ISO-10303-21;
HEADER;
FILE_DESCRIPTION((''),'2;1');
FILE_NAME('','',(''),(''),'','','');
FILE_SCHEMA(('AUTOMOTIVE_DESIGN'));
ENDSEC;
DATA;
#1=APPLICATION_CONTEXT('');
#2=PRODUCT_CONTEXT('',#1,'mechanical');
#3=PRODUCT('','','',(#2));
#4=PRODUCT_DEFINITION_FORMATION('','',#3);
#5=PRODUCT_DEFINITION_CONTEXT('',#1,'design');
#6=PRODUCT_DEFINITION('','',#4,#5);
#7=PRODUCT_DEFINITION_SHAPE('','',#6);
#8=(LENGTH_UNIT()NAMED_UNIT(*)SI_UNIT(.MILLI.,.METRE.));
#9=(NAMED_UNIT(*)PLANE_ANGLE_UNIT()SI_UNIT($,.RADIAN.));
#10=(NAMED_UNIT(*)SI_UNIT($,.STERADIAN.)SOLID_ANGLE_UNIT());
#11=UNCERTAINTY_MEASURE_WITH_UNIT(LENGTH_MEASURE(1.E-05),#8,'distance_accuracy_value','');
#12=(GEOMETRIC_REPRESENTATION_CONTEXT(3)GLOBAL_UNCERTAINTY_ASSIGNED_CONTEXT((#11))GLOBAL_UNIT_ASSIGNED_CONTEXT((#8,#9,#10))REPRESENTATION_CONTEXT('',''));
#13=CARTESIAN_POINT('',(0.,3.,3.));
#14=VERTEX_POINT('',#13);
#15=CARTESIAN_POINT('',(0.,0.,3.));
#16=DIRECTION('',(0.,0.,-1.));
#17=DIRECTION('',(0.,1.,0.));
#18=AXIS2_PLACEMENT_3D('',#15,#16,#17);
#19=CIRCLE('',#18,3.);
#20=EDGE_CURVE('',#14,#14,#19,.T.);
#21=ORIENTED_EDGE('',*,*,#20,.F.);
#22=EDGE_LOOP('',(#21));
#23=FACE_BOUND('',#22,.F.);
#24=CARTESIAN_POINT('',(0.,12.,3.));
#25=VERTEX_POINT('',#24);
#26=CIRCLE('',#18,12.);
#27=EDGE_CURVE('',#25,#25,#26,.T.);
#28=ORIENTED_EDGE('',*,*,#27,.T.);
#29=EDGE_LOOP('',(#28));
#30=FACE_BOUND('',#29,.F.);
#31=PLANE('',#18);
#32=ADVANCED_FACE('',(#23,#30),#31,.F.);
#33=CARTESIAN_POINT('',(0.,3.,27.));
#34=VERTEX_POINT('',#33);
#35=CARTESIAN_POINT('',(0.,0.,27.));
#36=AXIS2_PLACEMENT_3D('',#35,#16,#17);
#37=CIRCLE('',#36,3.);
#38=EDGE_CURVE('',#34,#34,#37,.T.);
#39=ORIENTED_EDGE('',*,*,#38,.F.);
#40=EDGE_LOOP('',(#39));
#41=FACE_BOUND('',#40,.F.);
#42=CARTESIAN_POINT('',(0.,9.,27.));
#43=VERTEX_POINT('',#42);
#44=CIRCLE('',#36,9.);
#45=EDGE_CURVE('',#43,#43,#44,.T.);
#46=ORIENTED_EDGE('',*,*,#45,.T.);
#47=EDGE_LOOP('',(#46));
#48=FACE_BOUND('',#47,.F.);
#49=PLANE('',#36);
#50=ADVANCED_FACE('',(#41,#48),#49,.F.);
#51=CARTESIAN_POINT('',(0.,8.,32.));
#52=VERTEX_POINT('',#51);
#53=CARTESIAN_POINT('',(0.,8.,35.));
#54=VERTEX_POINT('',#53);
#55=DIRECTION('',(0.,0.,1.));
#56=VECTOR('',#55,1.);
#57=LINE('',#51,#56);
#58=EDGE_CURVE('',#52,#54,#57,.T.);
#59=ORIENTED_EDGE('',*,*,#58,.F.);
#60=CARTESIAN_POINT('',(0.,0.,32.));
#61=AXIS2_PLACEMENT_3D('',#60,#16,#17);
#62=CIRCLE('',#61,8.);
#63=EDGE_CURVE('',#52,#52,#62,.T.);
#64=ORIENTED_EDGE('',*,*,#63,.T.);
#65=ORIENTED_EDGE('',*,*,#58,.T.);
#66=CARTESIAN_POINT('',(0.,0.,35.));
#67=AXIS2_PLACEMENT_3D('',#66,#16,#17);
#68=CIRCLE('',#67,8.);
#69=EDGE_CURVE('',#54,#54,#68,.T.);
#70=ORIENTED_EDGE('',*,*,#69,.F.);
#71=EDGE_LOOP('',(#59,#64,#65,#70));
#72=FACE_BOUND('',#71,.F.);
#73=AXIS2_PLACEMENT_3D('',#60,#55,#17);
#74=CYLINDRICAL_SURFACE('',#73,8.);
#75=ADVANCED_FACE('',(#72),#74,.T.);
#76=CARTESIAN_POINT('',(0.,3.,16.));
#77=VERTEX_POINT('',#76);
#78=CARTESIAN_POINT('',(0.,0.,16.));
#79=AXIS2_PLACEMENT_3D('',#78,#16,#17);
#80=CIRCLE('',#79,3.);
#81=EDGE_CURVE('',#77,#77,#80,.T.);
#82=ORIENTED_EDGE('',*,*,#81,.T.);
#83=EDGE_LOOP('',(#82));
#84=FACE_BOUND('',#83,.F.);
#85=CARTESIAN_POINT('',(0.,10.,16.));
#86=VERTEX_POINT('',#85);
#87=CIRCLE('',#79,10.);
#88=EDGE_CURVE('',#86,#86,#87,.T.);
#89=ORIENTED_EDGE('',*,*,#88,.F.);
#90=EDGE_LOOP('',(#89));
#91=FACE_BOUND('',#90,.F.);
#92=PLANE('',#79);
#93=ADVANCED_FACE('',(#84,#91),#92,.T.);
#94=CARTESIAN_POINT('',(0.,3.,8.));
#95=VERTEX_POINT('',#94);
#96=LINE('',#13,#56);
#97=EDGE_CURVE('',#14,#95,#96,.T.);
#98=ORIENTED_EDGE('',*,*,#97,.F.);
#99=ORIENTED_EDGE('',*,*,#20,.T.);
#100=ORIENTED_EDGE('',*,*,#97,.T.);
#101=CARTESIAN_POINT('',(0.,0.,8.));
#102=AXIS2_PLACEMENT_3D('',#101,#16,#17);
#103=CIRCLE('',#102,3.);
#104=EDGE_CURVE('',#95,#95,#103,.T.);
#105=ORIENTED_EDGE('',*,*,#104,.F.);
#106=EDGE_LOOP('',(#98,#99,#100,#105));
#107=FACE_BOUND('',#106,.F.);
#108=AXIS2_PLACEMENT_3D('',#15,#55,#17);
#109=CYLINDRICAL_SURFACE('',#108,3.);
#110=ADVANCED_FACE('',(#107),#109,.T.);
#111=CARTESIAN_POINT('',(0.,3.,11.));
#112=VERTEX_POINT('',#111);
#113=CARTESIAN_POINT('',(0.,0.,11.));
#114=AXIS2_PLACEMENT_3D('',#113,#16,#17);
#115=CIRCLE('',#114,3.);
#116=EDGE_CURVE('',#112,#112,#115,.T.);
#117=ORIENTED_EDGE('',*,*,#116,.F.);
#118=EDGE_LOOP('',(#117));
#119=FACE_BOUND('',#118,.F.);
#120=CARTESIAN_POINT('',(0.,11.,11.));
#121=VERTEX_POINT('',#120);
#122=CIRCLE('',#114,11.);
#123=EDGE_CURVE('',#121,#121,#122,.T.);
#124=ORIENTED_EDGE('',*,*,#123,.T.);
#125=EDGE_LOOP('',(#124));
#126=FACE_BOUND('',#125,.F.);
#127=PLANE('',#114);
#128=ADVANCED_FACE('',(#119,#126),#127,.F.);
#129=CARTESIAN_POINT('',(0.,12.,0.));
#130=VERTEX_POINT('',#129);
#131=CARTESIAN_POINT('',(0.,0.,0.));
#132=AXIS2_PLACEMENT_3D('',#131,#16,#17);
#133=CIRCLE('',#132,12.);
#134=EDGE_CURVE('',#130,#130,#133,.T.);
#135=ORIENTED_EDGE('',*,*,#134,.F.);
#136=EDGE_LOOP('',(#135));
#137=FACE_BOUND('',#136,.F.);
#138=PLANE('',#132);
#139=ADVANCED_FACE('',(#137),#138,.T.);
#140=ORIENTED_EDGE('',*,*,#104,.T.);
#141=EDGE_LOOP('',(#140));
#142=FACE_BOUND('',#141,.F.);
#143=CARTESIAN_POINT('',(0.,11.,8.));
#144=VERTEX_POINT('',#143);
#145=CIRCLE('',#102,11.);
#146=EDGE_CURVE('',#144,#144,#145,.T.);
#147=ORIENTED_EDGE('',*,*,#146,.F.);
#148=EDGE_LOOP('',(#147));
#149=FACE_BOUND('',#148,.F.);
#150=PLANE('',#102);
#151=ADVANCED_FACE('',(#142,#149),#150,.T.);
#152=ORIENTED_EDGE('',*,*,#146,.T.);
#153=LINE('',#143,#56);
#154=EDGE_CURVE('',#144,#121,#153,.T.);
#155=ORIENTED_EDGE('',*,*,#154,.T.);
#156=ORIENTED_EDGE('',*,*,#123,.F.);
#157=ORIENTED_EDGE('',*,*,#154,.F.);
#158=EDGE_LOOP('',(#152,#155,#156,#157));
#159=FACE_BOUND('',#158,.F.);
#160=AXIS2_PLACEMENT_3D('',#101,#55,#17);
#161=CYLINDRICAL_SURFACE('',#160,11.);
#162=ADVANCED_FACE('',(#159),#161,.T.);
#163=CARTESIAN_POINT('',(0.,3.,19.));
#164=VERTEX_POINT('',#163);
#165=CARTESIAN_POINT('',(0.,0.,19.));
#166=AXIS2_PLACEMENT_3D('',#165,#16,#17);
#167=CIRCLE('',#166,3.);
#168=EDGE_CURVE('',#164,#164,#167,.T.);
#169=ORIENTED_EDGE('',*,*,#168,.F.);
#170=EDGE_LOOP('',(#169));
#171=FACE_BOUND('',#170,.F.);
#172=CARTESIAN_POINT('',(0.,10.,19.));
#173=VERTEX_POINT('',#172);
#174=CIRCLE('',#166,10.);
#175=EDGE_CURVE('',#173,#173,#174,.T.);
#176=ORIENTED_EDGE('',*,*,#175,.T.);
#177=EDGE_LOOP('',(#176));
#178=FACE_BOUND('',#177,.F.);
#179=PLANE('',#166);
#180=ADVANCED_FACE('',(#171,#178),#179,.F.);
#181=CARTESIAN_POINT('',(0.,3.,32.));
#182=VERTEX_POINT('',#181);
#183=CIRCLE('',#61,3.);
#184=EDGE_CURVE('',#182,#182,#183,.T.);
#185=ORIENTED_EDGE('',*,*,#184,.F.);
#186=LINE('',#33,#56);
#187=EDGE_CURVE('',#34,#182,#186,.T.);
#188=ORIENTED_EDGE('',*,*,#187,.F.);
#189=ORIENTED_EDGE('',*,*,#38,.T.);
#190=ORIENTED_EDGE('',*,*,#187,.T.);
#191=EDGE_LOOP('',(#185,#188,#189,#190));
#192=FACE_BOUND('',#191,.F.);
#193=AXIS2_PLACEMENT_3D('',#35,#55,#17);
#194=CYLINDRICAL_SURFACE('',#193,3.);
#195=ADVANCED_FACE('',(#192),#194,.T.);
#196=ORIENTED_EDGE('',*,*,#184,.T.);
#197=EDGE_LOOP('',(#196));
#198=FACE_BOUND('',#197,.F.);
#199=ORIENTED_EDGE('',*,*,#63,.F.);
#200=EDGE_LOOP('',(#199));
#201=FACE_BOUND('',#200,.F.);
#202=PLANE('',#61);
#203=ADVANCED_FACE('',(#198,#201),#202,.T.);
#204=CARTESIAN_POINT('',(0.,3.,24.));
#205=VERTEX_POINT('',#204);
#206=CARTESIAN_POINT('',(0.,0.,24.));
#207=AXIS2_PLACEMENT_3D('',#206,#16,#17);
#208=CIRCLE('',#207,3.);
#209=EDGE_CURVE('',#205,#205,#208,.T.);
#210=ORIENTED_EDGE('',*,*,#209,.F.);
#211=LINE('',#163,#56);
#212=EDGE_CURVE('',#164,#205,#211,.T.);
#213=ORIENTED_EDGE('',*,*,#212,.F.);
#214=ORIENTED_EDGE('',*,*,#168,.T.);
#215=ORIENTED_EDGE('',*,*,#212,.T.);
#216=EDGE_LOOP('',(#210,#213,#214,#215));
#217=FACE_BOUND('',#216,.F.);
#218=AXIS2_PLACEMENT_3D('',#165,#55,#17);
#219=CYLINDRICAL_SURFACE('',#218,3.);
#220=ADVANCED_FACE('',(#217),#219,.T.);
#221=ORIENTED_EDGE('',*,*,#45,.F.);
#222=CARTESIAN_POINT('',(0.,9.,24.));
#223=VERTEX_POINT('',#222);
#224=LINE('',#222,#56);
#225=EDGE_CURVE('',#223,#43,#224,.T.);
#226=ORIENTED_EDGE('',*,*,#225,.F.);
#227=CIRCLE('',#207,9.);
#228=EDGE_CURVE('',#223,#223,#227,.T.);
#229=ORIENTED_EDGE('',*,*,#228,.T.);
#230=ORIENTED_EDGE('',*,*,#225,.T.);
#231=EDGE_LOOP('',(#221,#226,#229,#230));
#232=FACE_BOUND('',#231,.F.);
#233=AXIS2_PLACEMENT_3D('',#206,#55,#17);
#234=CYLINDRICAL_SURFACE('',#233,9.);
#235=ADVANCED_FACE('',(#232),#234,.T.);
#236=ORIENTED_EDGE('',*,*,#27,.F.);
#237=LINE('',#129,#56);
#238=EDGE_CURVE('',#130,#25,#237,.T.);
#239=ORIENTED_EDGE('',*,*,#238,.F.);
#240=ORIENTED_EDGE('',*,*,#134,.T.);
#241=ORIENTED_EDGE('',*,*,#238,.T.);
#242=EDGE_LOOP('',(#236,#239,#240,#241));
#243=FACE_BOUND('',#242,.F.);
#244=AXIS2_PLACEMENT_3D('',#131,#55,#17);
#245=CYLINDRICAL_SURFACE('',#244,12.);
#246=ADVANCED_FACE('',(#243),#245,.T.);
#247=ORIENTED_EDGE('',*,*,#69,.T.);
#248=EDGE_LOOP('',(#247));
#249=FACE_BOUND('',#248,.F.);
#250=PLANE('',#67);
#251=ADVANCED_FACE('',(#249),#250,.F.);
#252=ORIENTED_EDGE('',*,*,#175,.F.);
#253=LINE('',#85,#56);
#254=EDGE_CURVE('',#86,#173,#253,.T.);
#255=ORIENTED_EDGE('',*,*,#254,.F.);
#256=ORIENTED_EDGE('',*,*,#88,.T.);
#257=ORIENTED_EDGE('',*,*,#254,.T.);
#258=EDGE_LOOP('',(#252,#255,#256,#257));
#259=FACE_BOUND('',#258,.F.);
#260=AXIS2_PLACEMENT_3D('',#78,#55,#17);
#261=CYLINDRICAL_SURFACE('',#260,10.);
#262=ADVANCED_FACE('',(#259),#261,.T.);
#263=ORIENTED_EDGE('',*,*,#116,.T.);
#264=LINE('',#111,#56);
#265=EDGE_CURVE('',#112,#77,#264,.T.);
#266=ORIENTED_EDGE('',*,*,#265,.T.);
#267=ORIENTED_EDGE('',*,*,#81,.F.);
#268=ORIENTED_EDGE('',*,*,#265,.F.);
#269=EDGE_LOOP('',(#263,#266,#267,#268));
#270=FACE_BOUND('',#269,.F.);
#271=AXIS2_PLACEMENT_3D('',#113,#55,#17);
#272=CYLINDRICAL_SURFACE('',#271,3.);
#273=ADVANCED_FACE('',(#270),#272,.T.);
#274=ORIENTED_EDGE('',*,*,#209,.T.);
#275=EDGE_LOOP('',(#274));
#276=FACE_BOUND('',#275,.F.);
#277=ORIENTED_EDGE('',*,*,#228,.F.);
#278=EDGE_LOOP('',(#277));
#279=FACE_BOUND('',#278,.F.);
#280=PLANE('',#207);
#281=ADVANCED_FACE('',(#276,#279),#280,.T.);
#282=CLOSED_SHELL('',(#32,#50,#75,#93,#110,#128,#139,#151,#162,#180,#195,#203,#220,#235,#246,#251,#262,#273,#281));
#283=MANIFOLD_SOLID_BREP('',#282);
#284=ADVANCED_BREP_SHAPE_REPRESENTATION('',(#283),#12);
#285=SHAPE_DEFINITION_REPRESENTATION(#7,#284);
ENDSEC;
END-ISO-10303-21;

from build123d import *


with BuildPart() as f1:
    # F0 (on Right) → F1 (revolve)
    with BuildSketch(Plane.YZ):
        Polygon((0, 0), (12, 0), (12, 3), (3, 3), (3, 8), (11, 8), (11, 11), (3, 11), (3, 16), (10, 16), (10, 19), (3, 19), (3, 24), (9, 24), (9, 27), (3, 27), (3, 32), (8, 32), (8, 35), (0, 35), align=None)
    revolve(axis=Axis((0, 0, 17.5), (0, 0, -1)))


solid = f1.part
